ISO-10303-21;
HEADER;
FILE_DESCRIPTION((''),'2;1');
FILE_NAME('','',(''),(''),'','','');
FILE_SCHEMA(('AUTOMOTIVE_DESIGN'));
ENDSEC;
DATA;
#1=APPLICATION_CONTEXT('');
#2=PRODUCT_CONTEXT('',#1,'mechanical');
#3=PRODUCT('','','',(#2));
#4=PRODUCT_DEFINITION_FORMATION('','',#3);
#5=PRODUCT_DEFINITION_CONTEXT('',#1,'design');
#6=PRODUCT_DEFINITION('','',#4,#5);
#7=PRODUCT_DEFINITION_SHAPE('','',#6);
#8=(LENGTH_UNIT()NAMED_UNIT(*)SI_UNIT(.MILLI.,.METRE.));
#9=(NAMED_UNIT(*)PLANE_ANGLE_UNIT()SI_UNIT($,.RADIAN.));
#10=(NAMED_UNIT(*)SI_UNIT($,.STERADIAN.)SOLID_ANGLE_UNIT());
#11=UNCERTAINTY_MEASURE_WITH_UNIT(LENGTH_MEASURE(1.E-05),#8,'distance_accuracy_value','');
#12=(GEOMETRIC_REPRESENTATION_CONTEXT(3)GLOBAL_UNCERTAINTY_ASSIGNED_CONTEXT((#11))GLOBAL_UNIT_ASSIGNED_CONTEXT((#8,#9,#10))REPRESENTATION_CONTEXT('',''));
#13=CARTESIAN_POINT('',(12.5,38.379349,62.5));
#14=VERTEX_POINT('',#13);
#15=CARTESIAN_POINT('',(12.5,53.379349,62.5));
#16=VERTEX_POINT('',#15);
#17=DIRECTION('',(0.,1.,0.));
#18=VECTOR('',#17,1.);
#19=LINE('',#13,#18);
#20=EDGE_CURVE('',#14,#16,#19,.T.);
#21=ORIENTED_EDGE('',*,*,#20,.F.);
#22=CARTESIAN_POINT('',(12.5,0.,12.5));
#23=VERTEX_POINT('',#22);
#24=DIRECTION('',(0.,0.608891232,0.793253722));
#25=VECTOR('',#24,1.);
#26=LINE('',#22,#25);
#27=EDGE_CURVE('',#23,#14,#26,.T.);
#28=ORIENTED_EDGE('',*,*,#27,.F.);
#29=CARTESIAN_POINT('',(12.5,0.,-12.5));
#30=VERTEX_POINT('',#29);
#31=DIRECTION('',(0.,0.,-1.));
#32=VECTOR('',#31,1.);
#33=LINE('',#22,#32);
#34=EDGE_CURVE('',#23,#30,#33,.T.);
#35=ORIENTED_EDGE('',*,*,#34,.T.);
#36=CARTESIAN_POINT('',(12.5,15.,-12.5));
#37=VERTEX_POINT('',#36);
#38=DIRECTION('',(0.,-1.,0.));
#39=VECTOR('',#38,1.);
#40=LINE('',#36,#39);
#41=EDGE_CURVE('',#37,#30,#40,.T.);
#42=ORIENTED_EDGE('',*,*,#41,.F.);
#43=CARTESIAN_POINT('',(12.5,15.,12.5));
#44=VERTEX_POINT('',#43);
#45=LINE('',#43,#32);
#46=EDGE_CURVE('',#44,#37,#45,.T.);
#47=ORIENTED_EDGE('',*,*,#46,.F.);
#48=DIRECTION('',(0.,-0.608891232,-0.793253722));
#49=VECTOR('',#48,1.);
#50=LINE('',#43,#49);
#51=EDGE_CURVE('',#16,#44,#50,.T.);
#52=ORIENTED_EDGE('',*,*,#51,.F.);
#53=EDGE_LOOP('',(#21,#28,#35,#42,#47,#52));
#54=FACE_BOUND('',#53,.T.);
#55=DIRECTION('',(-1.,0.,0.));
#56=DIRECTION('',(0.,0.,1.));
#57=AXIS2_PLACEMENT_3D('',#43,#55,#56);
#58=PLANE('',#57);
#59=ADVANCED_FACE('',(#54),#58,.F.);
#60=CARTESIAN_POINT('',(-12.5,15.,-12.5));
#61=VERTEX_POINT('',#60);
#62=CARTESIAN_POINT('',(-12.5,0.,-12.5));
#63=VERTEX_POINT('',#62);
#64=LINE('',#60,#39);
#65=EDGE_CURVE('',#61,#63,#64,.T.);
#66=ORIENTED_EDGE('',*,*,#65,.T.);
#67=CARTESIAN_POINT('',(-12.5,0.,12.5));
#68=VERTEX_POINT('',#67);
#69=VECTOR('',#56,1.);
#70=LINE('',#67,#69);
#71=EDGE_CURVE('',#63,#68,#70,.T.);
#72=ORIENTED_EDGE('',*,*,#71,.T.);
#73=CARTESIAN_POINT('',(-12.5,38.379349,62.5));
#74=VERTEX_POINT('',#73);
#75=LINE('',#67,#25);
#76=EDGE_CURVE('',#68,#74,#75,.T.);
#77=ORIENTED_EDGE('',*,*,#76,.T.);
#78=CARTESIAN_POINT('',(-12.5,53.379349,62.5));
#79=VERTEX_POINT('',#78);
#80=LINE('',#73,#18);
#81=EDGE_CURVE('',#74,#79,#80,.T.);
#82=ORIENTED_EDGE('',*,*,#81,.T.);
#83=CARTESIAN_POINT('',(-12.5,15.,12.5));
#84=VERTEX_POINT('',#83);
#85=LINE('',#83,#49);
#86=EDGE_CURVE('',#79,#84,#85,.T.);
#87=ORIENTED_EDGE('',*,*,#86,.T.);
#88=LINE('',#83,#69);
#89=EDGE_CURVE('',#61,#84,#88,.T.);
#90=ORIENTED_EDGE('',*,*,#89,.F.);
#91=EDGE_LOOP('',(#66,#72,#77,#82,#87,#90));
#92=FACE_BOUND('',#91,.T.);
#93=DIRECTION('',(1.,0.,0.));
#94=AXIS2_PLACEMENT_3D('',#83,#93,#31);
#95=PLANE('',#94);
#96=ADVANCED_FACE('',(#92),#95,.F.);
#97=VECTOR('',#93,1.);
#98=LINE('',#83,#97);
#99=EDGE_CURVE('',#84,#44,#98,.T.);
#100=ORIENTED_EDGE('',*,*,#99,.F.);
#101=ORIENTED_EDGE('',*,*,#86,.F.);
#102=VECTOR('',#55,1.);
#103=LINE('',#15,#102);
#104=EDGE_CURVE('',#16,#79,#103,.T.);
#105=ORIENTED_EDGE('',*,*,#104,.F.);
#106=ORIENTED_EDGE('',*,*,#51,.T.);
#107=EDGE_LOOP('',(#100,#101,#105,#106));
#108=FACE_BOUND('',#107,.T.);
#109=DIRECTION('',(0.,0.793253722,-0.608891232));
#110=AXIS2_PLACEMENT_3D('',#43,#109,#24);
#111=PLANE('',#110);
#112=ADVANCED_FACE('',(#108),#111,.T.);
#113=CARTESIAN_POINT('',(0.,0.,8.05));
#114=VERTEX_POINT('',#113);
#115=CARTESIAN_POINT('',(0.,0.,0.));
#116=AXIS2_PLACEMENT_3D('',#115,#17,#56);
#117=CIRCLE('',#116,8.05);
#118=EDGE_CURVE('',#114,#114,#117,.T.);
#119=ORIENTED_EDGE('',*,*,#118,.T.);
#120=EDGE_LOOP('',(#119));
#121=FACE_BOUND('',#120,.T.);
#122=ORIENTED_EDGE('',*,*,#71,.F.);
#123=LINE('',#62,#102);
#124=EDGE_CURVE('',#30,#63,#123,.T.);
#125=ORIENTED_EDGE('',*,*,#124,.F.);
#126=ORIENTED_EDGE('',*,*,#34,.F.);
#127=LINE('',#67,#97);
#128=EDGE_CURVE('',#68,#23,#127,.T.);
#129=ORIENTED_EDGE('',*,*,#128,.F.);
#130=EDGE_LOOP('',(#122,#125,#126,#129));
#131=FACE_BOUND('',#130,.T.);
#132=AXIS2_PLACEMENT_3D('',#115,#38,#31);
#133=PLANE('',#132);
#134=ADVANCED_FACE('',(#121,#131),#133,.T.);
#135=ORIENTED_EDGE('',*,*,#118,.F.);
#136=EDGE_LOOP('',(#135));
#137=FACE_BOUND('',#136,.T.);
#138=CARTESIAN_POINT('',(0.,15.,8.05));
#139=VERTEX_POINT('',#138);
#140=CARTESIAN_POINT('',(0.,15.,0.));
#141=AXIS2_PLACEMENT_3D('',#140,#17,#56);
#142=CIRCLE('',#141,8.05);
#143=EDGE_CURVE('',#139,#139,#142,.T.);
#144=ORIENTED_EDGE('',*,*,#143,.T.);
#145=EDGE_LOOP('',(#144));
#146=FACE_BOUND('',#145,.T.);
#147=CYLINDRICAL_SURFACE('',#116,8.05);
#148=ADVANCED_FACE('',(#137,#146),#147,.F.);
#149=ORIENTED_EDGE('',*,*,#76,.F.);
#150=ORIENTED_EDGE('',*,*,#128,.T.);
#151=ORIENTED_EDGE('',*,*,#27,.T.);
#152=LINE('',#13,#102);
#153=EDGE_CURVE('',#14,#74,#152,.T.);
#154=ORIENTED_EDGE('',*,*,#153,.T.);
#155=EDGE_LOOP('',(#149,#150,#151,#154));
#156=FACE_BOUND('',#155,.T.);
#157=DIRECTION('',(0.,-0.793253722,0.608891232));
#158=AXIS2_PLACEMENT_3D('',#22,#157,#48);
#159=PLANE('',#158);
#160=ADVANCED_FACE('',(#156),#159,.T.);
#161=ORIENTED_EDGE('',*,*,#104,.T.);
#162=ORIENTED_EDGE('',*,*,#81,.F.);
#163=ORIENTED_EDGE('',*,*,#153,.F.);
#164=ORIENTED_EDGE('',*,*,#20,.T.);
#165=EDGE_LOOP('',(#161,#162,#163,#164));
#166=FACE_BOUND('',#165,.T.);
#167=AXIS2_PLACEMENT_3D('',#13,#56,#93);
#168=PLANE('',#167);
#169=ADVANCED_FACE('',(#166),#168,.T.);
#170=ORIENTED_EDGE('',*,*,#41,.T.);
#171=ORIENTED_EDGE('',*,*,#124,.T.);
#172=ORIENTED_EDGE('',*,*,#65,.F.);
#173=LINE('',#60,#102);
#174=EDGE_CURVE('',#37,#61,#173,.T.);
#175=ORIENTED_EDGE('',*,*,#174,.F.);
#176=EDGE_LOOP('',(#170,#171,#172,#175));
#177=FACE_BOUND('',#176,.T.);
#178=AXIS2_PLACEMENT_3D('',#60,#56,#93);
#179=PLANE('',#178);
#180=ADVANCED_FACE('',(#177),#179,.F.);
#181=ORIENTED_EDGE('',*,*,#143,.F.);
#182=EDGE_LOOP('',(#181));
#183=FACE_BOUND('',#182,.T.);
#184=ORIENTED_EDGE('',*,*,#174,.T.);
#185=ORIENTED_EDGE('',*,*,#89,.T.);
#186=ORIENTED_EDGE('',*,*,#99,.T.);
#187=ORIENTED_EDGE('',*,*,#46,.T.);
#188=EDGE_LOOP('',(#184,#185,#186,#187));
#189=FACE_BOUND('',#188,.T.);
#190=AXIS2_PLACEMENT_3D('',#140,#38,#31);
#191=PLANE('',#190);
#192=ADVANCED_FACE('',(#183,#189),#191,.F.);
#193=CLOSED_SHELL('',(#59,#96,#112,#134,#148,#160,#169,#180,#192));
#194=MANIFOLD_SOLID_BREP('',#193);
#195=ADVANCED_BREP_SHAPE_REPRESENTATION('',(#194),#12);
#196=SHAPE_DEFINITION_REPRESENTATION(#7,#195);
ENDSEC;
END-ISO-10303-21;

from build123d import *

# Parameters (mm, degrees)
SKETCH_1_W          = 25
SKETCH_1_H          = 25
EXTRUDE_1_DEPTH     = 15
SKETCH_2_R          = 8.05
CUT_EXTRUDE_1_DEPTH = 24.184046239
EXTRUDE_2_DEPTH     = 25


with BuildPart() as part:
    # 草图1 → 凸台-拉伸1 (new body)
    with BuildSketch(Plane(origin=(0, 0, 0), x_dir=(1, 0, 0), z_dir=(0, 1, 0))):
        Rectangle(SKETCH_1_W, SKETCH_1_H)
    extrude(amount=EXTRUDE_1_DEPTH)

    # 草图2 → 切除-拉伸1 (cut, through all)
    with BuildSketch(Plane(origin=(0, 15, 0), x_dir=(1, 0, 0), z_dir=(0, 1, 0))):
        with Locations(Location((0, 0, 0), (0, 0, 270))):
            Circle(SKETCH_2_R)
    extrude(amount=-CUT_EXTRUDE_1_DEPTH, mode=Mode.SUBTRACT)

    # 草图3 → 凸台-拉伸2 (add)
    with BuildSketch(Plane.ZY.offset(12.5)):
        Polygon((12.5, 15), (62.5, 53.379349155), (62.5, 38.379349155), (12.5, 0), align=None)
    extrude(amount=-EXTRUDE_2_DEPTH)


solid = part.part
